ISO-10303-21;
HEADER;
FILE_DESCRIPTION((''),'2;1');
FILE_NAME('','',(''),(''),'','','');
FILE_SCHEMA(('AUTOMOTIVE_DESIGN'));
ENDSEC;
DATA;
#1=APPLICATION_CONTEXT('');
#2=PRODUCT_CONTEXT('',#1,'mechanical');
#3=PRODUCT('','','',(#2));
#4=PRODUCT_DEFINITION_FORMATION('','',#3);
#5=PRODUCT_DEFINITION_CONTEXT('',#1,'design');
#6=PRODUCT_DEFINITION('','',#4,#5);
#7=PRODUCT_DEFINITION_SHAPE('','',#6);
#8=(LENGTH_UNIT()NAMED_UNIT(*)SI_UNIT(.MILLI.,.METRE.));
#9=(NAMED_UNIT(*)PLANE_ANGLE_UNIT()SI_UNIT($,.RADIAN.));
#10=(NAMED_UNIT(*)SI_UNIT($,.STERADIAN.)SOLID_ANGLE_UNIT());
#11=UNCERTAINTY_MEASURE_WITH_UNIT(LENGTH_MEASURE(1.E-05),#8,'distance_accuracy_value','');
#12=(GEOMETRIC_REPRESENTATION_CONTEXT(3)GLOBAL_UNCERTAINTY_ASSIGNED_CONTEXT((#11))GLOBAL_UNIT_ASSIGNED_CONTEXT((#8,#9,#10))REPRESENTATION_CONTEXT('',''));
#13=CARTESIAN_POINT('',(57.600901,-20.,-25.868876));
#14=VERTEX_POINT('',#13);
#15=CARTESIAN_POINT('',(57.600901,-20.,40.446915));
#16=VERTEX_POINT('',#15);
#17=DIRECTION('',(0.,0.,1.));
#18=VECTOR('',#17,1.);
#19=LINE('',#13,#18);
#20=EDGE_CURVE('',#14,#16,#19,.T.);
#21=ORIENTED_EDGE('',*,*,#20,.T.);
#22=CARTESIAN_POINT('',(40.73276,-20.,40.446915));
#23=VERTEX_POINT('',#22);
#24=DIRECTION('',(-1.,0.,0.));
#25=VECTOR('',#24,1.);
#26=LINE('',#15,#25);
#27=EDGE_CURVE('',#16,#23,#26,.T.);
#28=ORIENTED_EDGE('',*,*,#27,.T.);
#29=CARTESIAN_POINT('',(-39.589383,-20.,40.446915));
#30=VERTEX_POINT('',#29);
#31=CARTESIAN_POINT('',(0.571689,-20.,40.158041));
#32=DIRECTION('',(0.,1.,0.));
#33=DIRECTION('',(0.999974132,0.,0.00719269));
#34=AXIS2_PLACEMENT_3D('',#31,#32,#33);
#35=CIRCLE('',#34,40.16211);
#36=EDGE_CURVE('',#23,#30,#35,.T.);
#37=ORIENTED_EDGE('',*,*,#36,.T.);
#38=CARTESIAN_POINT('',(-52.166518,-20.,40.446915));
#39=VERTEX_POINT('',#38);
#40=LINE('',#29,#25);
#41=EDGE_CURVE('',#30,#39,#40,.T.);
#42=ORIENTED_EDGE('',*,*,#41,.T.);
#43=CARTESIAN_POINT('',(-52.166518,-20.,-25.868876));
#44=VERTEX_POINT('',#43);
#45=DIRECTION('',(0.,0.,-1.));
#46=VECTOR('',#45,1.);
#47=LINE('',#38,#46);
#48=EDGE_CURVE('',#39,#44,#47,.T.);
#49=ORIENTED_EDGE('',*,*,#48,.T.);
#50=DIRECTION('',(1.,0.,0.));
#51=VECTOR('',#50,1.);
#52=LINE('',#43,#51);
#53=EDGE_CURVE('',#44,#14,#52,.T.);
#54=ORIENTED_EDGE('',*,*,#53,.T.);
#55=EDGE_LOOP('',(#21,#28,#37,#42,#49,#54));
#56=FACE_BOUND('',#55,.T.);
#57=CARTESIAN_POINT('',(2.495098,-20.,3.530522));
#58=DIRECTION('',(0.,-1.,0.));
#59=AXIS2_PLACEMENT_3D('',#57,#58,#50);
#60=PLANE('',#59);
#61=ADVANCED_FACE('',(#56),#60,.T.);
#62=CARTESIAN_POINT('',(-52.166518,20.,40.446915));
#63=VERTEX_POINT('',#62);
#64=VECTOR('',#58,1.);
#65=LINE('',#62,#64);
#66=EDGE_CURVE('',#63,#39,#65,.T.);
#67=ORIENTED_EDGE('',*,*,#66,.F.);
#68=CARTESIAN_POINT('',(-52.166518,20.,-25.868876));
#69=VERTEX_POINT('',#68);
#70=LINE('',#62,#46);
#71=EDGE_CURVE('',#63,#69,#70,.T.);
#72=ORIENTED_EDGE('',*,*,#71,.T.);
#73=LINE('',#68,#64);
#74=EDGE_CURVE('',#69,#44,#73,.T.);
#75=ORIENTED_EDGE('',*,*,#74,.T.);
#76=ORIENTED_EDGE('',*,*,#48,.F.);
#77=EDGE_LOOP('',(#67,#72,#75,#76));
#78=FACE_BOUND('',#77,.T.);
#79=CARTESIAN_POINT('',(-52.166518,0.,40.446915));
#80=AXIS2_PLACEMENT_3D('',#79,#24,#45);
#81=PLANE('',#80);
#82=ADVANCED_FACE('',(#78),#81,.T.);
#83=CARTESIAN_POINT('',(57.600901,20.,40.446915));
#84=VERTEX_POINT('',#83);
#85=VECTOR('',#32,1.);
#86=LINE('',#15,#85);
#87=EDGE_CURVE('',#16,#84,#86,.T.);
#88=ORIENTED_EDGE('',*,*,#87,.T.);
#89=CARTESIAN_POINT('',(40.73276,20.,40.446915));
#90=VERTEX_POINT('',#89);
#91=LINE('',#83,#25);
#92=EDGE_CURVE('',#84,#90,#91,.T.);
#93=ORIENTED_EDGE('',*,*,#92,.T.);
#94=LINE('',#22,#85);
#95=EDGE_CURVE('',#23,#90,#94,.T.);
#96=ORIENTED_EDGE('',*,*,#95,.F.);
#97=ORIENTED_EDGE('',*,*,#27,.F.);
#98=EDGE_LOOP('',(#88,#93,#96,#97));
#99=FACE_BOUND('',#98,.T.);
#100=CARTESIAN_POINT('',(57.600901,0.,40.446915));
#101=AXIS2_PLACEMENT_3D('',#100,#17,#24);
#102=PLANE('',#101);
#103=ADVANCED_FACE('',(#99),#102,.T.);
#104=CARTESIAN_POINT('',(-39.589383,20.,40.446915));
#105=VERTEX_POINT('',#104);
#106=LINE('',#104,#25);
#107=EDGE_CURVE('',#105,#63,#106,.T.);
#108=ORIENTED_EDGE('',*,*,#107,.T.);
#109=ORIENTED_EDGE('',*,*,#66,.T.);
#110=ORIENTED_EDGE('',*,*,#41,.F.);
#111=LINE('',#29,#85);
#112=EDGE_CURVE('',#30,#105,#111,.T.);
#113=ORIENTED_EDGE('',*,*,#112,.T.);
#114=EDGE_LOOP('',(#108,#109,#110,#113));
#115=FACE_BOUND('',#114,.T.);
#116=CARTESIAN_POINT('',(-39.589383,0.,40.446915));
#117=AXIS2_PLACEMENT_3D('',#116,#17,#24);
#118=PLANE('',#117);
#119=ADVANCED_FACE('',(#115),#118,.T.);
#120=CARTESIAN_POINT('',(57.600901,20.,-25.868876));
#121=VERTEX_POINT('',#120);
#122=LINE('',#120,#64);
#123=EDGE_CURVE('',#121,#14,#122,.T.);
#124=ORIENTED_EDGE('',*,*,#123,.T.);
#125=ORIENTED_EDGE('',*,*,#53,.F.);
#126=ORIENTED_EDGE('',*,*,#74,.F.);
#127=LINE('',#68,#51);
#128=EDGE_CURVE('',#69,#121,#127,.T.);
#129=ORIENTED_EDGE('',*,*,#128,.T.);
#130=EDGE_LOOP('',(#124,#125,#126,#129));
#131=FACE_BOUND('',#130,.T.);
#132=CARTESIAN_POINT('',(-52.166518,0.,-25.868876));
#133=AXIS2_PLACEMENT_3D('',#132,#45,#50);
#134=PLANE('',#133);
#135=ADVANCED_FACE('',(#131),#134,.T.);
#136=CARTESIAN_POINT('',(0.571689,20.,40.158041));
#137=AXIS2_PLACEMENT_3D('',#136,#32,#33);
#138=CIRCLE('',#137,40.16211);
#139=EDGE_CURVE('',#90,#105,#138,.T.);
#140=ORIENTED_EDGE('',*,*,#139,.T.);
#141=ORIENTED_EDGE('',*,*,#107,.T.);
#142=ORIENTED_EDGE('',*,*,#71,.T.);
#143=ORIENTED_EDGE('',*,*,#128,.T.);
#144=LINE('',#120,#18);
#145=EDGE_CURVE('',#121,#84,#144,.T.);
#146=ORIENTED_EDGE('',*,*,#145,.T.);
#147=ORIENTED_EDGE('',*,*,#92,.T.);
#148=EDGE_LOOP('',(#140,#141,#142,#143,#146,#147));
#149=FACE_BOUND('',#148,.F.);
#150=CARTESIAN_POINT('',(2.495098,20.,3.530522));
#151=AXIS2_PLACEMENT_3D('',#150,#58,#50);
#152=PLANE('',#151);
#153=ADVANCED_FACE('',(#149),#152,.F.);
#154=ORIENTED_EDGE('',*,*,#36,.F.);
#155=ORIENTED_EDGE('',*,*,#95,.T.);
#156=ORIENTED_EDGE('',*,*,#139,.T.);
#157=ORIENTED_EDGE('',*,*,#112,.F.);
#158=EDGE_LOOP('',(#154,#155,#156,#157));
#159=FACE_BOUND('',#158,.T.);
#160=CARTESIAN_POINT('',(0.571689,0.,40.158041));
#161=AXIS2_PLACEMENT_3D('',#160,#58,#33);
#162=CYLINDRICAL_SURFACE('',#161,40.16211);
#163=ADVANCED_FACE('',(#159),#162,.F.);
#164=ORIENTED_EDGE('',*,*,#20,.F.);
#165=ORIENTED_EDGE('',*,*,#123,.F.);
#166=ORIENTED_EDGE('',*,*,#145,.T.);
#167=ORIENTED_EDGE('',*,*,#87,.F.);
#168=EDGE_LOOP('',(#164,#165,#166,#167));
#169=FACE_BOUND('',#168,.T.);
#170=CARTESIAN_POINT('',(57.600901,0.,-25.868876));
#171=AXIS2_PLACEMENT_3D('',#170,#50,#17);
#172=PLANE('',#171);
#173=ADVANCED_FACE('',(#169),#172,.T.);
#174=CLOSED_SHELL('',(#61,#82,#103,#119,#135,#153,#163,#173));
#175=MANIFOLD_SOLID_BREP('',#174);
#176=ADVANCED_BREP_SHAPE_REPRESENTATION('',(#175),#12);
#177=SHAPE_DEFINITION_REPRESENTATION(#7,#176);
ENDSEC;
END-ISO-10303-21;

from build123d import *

# Parameters (mm, degrees)
F1_DEPTH = 20


with BuildPart() as f1:
    # F0 (on Front) → F1 (new body, symmetric)
    with BuildSketch(Plane.XZ):
        with BuildLine():
            Line((-39.589383, 40.446915), (-52.166518, 40.446915))
            Line((-52.166518, 40.446915), (-52.166518, -25.868876))
            Line((-52.166518, -25.868876), (57.600901, -25.868876))
            Line((57.600901, -25.868876), (57.600901, 40.446915))
            Line((57.600901, 40.446915), (40.73276, 40.446915))
            ThreePointArc((40.73276, 40.446915), (0.571689, -0.004069), (-39.589383, 40.446915))
        make_face()
    extrude(amount=F1_DEPTH, both=True)


solid = f1.part
